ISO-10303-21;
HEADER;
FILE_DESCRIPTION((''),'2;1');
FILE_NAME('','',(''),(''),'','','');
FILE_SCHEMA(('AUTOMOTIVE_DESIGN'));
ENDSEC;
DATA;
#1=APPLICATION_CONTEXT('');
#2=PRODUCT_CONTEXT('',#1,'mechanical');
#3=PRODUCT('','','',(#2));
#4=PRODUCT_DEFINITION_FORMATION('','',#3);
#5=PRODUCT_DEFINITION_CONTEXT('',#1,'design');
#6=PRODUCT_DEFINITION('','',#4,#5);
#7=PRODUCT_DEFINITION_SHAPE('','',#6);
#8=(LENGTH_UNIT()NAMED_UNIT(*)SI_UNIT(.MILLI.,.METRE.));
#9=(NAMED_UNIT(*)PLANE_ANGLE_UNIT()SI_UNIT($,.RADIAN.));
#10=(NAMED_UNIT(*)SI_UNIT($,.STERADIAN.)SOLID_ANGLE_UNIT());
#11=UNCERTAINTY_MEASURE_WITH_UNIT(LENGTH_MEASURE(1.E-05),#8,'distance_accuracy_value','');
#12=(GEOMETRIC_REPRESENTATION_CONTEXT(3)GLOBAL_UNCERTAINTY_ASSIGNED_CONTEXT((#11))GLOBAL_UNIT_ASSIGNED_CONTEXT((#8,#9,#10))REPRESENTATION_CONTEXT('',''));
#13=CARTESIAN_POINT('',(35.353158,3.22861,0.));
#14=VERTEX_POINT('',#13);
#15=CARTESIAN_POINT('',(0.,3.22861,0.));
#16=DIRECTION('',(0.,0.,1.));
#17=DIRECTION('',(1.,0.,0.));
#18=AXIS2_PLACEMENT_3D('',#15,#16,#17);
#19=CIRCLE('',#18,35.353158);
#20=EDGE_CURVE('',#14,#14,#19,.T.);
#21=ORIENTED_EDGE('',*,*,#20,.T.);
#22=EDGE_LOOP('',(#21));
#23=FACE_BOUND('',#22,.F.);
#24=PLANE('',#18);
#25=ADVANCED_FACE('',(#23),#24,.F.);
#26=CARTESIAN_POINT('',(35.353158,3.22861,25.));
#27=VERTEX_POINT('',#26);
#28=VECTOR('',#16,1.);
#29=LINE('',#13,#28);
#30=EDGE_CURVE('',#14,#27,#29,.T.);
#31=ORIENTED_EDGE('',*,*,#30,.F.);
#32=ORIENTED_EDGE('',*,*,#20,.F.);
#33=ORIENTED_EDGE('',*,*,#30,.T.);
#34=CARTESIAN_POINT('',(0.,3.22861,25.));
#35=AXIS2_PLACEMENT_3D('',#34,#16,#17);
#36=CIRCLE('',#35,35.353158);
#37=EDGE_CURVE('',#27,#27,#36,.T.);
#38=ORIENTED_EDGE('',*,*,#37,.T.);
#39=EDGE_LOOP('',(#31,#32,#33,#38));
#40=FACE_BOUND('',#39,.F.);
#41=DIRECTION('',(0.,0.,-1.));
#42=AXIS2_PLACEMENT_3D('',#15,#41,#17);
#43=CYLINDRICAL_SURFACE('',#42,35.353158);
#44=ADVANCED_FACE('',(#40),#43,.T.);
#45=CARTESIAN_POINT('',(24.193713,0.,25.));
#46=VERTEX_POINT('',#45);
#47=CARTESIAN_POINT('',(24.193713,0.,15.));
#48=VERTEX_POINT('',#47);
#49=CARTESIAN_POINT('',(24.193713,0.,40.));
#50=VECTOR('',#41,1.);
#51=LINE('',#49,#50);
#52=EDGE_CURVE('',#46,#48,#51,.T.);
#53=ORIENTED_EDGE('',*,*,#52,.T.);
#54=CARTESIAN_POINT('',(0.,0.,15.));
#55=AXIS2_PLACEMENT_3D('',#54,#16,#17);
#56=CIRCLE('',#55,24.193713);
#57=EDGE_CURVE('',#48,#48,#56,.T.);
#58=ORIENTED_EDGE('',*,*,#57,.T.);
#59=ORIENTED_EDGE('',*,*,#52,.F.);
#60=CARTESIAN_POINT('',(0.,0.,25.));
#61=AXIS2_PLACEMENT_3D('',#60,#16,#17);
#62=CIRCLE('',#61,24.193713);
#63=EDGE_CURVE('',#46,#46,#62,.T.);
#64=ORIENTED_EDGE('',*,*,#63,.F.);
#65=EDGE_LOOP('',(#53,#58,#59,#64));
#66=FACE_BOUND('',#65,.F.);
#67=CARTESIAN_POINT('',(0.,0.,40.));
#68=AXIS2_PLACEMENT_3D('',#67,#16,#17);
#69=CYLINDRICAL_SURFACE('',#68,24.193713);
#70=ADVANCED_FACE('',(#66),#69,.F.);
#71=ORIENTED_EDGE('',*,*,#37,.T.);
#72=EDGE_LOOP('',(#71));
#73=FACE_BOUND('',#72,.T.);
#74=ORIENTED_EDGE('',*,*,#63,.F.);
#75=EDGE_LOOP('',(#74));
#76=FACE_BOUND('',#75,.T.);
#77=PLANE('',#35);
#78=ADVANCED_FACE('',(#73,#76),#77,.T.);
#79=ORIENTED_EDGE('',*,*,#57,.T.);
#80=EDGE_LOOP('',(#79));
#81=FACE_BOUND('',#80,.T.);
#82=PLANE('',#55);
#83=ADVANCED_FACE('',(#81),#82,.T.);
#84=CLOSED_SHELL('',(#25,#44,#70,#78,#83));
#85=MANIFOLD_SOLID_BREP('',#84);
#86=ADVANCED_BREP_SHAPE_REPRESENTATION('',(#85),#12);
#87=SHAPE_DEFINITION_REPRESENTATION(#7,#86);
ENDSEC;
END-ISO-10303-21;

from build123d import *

# Parameters (mm, degrees)
F0_R      = 35.353158
F1_DEPTH  = 25
F2_R      = 24.193713
F3_DEPTH  = 15
F3_FACE_R = 24.193713
F4_DEPTH  = 25


with BuildPart() as f1:
    # F0 (on Top) → F1 (new body)
    with BuildSketch(Plane.XY):
        with Locations((0, 3.22861)):
            Circle(F0_R)
    extrude(amount=F1_DEPTH)

    # F2 (on face) → F3 (join)
    with BuildSketch(Plane.XY.offset(25)):
        Circle(F2_R)
    extrude(amount=F3_DEPTH)

    # F3_face (on face) → F4 (cut)
    with BuildSketch(Plane.XY.offset(40)):
        Circle(F3_FACE_R)
    extrude(amount=-F4_DEPTH, mode=Mode.SUBTRACT)


solid = f1.part
